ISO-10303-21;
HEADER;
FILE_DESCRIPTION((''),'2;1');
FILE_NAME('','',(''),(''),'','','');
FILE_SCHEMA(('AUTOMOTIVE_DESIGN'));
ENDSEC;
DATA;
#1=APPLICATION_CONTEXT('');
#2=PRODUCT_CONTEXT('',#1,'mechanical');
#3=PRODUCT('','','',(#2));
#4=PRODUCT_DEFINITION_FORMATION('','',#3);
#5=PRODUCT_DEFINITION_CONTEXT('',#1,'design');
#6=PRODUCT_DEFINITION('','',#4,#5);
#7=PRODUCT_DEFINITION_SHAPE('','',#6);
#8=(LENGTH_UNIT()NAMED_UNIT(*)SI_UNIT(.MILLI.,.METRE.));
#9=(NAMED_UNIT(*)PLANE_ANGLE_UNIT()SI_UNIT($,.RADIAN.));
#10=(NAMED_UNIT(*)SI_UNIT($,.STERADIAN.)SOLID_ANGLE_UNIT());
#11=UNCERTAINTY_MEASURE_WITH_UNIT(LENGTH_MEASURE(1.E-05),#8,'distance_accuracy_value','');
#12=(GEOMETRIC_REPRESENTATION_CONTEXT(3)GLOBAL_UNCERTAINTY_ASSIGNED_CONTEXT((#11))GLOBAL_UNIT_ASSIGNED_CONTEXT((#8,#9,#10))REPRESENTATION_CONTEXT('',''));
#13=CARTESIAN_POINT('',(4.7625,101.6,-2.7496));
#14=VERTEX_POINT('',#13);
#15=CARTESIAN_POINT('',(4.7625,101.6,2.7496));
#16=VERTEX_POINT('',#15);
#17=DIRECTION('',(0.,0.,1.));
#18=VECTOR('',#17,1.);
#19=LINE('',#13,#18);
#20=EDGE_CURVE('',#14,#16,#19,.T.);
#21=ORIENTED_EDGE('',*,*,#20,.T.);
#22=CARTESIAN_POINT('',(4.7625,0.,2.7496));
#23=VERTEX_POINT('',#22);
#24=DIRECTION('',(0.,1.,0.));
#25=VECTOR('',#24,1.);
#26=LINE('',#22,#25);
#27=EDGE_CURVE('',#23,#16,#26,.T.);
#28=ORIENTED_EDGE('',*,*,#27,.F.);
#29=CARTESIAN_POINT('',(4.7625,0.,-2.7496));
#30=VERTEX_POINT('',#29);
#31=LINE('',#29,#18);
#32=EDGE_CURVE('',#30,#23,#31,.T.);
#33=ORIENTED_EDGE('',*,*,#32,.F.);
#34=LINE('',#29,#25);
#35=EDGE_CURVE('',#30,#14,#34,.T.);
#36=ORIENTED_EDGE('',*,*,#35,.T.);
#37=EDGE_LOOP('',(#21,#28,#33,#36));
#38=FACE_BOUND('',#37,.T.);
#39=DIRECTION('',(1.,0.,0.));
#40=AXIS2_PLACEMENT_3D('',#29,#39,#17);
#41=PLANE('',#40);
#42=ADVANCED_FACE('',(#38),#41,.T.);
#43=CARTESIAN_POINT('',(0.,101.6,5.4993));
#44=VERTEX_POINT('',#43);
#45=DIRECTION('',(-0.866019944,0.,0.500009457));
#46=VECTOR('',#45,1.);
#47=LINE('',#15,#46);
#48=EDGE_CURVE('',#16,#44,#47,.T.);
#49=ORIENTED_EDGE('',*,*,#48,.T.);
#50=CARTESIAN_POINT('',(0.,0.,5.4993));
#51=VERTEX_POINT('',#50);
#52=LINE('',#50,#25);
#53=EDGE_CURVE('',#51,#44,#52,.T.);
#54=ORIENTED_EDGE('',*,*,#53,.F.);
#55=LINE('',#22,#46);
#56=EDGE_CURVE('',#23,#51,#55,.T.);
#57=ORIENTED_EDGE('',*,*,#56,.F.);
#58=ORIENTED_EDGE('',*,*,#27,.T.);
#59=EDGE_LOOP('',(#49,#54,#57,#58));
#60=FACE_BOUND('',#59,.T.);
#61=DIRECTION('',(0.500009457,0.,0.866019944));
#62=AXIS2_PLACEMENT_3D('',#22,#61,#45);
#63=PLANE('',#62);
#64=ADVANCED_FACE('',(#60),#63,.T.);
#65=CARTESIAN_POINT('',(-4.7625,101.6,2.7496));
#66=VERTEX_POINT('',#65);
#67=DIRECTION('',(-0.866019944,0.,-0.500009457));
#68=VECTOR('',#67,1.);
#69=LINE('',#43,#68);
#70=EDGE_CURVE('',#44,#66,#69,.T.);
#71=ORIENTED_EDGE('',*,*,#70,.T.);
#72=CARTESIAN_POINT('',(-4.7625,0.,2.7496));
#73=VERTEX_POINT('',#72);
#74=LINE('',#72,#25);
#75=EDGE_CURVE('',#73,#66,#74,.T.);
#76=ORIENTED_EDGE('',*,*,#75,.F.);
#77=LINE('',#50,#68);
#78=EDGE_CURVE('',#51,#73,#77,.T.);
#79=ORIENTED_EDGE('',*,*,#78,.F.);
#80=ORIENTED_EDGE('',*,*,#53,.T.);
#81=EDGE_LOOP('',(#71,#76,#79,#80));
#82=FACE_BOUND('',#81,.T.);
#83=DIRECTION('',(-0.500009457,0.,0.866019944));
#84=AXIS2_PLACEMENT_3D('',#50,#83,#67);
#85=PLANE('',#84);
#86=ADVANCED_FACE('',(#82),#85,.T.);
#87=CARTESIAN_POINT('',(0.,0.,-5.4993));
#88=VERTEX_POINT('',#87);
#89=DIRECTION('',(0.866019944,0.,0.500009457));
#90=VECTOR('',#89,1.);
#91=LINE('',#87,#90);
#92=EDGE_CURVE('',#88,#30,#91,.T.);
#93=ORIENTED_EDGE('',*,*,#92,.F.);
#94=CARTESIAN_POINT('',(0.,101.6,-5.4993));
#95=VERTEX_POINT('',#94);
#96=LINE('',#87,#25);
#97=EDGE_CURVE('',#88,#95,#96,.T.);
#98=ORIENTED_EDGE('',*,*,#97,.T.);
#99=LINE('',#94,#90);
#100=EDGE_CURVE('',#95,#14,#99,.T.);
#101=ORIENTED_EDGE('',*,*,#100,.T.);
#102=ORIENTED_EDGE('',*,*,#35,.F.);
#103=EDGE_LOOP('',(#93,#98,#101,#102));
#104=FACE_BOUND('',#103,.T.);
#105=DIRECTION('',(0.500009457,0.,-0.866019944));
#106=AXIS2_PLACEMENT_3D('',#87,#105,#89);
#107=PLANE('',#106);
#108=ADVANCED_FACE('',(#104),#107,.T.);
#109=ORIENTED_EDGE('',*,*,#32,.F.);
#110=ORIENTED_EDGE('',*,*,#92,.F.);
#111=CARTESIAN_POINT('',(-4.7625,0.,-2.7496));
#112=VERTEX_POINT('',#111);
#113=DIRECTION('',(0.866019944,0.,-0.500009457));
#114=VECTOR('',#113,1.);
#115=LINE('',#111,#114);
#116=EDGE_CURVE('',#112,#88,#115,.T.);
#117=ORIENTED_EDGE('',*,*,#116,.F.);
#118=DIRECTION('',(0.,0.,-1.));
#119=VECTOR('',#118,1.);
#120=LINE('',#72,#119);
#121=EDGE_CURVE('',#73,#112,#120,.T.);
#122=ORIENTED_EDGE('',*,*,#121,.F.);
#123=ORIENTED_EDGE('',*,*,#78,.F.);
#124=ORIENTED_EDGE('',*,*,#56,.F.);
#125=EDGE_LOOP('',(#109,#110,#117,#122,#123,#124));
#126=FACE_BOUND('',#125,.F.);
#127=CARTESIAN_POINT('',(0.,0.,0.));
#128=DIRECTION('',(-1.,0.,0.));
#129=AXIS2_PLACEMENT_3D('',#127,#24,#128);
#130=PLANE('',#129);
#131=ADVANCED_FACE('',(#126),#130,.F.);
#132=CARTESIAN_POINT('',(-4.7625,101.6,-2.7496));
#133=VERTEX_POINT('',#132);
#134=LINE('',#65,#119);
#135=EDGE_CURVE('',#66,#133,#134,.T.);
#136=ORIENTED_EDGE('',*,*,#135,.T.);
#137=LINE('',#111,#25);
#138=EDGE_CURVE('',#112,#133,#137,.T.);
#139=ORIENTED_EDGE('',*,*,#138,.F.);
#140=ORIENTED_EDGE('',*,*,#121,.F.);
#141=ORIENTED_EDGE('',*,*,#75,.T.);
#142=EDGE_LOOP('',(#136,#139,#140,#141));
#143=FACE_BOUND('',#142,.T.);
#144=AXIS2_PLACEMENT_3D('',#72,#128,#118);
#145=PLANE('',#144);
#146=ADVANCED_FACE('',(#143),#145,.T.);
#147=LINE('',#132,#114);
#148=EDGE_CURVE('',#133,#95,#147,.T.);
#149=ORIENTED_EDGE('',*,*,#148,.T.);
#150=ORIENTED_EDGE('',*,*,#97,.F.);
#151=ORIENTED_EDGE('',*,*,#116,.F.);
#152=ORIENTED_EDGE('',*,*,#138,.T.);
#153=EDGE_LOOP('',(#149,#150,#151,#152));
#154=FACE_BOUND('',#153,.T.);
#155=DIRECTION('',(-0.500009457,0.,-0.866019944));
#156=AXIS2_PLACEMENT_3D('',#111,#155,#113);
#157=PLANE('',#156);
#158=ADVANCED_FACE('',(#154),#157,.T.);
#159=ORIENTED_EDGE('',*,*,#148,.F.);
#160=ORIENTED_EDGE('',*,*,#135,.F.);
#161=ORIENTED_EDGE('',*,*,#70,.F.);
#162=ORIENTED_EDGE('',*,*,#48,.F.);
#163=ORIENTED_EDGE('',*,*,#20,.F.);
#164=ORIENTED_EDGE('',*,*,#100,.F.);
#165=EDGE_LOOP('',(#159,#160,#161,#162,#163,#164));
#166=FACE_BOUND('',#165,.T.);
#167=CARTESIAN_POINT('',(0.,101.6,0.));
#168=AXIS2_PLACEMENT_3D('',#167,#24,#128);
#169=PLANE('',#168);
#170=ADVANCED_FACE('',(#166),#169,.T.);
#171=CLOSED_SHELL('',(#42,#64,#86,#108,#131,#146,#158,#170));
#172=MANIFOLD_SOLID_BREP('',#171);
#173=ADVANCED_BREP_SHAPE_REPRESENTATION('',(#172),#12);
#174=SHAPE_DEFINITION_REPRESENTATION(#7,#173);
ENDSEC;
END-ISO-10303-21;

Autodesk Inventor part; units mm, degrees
ref_plane "YZ Plane" through (0, 0, 0) normal (1, 0, 0) x (0, 1, 0)
ref_plane "XZ Plane" through (0, 0, 0) normal (0, 1, 0) x (-1, 0, 0)
ref_plane "XY Plane" through (0, 0, 0) normal (0, 0, 1) x (1, 0, 0)
sketch "Sketch1" plane through (0, 0, 0) normal (0, 1, 0) x (-1, 0, 0)
  line L0 (0, -5.4993) -> (-4.7625, -2.7496)
  line L1 (-4.7625, -2.7496) -> (-4.7625, 2.7496)
  line L2 (-4.7625, 2.7496) -> (0, 5.4993)
  line L3 (0, 5.4993) -> (4.7625, 2.7496)
  line L4 (4.7625, 2.7496) -> (4.7625, -2.7496)
  line L5 (4.7625, -2.7496) -> (0, -5.4993)
  point P0 (0, 0)
  point P1 (0, 0)
  dimension "d0" = 9.525
extrude "Extrusion1" add sketch "Sketch1" along normal blind 101.6
properties part number "3_8_plastic_pipe"
